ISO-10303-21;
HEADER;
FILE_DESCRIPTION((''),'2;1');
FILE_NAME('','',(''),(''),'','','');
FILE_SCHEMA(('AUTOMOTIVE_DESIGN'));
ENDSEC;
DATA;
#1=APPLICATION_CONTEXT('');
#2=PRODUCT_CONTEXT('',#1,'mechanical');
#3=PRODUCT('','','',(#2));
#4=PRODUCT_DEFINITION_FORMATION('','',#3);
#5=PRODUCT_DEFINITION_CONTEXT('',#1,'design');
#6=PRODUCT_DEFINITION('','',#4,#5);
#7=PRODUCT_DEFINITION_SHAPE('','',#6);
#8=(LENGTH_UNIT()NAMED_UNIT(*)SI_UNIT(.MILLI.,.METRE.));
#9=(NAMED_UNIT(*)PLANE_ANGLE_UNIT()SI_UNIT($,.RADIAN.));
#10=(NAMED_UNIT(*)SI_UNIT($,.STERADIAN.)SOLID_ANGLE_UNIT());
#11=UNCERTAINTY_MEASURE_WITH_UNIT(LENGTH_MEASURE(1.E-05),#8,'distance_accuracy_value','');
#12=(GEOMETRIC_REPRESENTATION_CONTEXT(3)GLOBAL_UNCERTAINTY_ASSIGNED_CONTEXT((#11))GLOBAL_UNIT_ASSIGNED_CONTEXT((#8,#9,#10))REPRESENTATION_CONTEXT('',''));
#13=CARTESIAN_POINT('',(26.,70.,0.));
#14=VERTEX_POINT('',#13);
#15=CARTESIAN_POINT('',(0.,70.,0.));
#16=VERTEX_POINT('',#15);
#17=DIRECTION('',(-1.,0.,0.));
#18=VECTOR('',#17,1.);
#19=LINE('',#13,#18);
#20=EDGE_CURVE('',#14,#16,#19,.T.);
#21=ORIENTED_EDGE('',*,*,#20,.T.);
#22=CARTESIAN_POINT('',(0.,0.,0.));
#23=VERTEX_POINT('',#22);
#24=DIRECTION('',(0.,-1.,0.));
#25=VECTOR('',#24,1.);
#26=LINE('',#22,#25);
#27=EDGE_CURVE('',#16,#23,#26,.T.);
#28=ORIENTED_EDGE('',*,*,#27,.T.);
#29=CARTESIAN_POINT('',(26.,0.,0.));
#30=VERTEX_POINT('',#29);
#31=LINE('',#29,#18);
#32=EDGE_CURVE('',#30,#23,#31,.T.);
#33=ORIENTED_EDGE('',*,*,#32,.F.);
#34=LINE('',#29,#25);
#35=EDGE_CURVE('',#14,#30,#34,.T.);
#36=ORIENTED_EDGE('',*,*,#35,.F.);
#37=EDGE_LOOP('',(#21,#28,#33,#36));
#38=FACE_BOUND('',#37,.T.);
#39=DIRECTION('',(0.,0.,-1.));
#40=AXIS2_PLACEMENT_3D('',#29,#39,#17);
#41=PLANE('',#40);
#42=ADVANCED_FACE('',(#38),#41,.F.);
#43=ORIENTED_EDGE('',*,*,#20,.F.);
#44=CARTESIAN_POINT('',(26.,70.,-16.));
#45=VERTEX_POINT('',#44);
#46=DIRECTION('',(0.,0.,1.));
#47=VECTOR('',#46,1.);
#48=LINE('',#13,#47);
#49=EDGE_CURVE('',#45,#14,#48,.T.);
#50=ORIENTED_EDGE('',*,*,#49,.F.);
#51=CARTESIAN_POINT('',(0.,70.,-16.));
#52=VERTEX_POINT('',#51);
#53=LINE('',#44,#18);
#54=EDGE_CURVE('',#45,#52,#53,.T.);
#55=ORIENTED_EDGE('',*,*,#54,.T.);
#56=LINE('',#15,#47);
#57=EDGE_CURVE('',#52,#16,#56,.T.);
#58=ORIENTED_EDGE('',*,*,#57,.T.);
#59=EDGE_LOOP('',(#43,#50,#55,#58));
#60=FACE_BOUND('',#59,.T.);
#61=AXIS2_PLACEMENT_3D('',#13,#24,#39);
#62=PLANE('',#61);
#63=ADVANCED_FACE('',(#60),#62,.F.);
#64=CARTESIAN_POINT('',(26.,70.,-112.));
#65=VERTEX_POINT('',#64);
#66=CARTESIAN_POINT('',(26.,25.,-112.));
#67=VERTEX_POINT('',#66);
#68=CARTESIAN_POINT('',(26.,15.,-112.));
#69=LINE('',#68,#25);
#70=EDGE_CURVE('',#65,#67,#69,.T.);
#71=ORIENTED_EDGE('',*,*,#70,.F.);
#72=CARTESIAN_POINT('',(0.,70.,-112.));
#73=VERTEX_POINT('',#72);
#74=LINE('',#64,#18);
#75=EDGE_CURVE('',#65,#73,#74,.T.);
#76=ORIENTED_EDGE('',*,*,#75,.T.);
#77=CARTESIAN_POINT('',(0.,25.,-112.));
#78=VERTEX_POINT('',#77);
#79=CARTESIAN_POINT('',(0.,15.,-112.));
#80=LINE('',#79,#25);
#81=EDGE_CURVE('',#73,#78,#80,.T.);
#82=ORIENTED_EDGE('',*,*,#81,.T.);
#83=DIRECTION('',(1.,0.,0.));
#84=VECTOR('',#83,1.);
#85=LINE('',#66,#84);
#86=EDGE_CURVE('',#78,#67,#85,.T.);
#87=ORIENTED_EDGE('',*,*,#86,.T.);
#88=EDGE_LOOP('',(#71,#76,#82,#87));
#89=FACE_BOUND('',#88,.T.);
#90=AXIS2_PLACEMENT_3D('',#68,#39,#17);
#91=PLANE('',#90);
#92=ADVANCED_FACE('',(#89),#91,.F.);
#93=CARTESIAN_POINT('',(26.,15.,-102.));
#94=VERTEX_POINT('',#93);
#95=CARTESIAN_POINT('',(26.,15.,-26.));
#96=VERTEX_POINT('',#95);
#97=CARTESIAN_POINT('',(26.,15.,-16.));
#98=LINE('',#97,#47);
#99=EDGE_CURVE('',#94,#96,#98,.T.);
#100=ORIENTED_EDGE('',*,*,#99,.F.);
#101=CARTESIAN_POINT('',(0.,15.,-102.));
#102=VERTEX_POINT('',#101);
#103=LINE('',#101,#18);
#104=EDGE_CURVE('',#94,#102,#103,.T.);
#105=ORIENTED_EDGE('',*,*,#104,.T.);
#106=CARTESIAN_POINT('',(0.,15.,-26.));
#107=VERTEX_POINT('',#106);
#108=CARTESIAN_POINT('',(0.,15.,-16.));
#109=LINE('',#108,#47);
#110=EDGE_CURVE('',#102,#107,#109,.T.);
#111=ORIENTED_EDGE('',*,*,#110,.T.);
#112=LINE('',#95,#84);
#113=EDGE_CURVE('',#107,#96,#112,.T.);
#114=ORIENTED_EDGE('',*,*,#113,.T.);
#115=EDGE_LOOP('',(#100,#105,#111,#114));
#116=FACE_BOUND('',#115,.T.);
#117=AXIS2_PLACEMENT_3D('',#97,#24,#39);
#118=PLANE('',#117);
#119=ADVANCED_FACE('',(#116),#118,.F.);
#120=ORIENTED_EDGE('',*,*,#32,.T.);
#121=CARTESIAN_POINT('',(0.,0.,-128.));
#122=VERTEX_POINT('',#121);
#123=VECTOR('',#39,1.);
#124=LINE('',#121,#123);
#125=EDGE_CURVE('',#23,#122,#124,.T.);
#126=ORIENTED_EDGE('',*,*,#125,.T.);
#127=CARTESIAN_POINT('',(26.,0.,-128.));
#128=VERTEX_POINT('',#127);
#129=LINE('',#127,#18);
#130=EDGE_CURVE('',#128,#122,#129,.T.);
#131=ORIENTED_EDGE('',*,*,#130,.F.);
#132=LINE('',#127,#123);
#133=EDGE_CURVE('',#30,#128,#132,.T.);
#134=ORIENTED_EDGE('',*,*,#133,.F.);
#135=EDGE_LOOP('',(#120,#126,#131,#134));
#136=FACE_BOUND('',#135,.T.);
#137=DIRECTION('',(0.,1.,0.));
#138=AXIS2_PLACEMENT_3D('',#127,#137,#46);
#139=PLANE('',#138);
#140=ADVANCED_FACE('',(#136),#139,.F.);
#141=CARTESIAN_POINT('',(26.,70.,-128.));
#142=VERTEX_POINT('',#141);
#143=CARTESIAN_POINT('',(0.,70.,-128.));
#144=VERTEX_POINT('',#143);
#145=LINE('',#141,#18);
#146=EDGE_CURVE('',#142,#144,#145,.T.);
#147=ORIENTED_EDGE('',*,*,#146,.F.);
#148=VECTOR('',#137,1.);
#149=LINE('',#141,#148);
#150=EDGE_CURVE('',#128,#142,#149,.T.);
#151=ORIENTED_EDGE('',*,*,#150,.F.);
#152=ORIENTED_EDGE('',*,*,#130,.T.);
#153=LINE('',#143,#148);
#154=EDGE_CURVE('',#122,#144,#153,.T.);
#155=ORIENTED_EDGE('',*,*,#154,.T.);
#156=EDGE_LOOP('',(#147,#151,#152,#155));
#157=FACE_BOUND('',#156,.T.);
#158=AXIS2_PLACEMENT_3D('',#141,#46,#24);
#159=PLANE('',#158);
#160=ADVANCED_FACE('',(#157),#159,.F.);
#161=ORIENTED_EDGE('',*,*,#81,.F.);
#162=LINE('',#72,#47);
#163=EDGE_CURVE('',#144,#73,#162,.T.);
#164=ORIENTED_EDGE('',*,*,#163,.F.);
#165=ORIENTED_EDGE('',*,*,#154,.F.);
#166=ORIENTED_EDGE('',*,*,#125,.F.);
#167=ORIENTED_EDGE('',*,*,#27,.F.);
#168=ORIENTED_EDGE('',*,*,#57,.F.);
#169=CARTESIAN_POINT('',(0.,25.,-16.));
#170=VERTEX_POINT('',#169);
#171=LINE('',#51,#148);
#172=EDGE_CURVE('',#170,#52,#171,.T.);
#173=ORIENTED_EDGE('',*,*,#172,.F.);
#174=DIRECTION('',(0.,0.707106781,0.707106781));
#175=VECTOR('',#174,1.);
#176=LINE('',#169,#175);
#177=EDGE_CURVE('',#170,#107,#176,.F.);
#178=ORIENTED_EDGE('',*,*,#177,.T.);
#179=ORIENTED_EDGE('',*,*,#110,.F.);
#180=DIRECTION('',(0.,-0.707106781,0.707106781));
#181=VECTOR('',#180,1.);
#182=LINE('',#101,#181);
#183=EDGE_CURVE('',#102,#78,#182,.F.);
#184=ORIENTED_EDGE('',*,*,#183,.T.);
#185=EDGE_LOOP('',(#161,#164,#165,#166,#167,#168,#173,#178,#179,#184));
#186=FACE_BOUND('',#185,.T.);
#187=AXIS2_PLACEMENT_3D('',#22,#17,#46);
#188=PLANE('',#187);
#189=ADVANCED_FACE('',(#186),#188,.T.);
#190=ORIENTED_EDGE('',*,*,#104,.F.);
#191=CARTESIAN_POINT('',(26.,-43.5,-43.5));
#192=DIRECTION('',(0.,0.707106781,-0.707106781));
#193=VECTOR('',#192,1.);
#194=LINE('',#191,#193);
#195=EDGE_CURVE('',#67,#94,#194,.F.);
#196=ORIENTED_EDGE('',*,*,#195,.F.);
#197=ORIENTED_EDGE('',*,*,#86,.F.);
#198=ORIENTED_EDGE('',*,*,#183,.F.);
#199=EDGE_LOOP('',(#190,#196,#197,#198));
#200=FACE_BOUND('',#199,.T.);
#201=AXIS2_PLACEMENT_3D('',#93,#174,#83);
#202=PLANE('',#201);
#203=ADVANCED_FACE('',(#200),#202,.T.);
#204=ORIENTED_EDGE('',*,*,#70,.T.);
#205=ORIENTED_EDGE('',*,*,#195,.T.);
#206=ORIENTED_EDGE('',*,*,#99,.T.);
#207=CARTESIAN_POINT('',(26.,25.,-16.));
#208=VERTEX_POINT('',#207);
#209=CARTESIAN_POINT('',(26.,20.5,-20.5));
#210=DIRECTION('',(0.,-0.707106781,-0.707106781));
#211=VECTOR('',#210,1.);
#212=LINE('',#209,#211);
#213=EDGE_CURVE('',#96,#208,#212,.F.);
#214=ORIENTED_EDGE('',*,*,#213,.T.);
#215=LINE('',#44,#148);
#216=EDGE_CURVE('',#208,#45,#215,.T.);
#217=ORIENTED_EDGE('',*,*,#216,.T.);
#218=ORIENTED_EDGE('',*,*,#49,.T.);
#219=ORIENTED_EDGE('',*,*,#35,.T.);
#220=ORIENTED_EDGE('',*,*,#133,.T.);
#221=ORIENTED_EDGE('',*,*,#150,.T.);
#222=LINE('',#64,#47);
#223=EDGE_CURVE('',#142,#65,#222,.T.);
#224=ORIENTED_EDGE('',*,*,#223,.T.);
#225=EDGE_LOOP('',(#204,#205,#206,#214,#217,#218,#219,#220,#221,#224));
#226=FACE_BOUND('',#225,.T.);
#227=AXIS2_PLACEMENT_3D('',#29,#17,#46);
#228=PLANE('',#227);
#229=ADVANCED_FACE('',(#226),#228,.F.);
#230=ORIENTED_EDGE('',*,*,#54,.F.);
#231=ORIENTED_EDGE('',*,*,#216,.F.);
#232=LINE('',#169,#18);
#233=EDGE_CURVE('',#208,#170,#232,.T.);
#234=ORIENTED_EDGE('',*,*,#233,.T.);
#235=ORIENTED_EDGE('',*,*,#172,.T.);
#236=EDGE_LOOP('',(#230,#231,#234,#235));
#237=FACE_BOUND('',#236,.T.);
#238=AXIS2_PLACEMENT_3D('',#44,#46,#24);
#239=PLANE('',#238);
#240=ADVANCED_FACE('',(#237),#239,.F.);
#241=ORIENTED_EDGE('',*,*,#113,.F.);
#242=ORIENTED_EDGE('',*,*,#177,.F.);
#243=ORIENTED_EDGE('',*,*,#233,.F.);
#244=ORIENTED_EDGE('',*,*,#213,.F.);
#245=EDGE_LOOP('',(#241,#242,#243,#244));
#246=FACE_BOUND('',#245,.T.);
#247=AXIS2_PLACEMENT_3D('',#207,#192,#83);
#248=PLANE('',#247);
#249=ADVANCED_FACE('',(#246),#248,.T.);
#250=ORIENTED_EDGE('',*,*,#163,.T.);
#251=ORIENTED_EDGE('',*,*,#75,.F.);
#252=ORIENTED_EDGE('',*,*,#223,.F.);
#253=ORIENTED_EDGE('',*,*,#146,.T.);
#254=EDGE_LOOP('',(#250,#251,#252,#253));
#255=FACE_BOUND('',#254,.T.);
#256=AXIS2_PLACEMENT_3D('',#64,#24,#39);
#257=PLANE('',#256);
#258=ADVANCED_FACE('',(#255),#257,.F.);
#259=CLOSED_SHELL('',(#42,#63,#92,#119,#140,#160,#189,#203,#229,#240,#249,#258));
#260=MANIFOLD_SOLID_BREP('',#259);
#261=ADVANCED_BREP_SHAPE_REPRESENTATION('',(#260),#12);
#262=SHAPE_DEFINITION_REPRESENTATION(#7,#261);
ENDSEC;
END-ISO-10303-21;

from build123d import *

# Parameters (mm, degrees)
BOSS_EXTRUDE1_DEPTH = 26
CHAMFER1_SIZE       = 10


with BuildPart() as part:
    # Sketch1 → Boss-Extrude1 (new body)
    with BuildSketch(Plane(origin=(0, 0, 0), x_dir=(0, 0, -1), z_dir=(1, 0, 0))):
        Polygon((0, 0), (0, 70.000000066), (16, 70.000000066), (16, 15.000000066), (112, 15.000000066), (112, 70.000000066), (128, 70.000000066), (128, 0), align=None)
    extrude(amount=BOSS_EXTRUDE1_DEPTH)

    # Chamfer1
    chamfer1_edges = [part.edges().sort_by_distance(p)[0] for p in [
        (13, 15.000000066, -16),
        (13, 15.000000066, -112),
    ]]
    chamfer(chamfer1_edges, length=CHAMFER1_SIZE)


solid = part.part
